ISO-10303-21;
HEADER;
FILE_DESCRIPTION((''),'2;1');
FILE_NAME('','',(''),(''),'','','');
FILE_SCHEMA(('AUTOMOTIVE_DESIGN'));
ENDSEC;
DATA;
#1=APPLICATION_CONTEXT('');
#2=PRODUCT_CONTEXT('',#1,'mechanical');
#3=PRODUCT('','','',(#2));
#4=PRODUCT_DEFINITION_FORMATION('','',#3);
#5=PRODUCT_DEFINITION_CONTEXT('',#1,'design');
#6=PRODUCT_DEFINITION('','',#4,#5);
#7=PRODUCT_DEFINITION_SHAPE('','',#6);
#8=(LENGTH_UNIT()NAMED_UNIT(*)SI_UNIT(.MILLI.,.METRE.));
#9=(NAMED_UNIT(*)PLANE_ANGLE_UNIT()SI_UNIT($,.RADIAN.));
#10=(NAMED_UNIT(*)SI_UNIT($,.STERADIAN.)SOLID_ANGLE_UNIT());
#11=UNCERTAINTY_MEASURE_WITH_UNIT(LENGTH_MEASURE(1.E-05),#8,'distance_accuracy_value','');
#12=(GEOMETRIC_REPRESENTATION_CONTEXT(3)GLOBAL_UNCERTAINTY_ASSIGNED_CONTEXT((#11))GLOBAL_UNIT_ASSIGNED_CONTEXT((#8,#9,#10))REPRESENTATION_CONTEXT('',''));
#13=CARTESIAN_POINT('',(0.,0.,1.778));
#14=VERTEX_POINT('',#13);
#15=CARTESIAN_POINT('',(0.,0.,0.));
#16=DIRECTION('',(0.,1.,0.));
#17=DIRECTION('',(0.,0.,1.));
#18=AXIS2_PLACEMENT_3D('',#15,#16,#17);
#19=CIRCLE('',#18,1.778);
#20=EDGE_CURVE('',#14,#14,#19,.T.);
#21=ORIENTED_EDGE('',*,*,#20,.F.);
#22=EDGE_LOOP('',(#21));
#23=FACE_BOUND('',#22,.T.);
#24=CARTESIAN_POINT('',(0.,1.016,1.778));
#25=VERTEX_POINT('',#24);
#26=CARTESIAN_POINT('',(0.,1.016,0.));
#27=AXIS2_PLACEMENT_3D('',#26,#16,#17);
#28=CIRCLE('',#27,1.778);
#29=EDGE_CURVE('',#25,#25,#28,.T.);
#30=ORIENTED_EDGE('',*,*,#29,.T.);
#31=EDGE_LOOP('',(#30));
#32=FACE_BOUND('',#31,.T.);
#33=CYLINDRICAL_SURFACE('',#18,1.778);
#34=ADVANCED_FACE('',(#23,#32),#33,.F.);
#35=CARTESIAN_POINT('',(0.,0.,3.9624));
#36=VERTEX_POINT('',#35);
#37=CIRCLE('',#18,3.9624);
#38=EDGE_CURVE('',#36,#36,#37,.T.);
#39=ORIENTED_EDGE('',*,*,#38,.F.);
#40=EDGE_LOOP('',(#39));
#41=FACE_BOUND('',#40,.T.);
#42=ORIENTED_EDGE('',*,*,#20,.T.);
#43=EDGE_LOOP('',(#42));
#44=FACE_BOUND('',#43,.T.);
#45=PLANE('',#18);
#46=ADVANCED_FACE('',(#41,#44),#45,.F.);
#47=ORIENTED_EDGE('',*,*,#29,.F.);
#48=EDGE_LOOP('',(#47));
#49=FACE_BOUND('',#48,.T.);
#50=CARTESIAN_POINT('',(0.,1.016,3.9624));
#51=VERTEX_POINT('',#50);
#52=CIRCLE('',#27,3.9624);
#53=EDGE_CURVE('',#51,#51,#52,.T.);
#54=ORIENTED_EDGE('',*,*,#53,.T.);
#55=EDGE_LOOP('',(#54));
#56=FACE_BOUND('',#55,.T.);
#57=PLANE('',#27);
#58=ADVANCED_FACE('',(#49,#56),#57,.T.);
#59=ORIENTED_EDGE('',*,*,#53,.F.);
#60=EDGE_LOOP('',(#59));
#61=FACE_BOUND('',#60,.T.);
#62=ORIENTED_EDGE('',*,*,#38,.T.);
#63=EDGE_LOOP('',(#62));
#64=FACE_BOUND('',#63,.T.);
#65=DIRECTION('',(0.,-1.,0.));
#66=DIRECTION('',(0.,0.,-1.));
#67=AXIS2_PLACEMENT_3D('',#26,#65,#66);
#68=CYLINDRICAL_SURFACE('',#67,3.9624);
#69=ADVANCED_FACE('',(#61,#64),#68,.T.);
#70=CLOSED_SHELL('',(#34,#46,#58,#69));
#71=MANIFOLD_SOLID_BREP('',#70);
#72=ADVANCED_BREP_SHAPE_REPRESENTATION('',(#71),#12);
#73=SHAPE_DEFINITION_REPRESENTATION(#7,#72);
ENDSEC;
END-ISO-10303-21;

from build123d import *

# Parameters (mm, degrees)
SKETCH1_R           = 3.9624
BOSS_EXTRUDE1_DEPTH = 1.016
SKETCH5_R           = 1.778
CUT_EXTRUDE1_DEPTH  = 2.016


with BuildPart() as part:
    # Sketch1 → Boss-Extrude1 (new body)
    with BuildSketch(Plane(origin=(0, 0, 0), x_dir=(1, 0, 0), z_dir=(0, 1, 0))):
        Circle(SKETCH1_R)
    extrude(amount=BOSS_EXTRUDE1_DEPTH)

    # Sketch5 → Cut-Extrude1 (cut, through all)
    with BuildSketch(Plane(origin=(0, 1.016, 0), x_dir=(-1, 0, 0), z_dir=(0, 1, 0))):
        Circle(SKETCH5_R)
    extrude(amount=-CUT_EXTRUDE1_DEPTH, mode=Mode.SUBTRACT)


solid = part.part
